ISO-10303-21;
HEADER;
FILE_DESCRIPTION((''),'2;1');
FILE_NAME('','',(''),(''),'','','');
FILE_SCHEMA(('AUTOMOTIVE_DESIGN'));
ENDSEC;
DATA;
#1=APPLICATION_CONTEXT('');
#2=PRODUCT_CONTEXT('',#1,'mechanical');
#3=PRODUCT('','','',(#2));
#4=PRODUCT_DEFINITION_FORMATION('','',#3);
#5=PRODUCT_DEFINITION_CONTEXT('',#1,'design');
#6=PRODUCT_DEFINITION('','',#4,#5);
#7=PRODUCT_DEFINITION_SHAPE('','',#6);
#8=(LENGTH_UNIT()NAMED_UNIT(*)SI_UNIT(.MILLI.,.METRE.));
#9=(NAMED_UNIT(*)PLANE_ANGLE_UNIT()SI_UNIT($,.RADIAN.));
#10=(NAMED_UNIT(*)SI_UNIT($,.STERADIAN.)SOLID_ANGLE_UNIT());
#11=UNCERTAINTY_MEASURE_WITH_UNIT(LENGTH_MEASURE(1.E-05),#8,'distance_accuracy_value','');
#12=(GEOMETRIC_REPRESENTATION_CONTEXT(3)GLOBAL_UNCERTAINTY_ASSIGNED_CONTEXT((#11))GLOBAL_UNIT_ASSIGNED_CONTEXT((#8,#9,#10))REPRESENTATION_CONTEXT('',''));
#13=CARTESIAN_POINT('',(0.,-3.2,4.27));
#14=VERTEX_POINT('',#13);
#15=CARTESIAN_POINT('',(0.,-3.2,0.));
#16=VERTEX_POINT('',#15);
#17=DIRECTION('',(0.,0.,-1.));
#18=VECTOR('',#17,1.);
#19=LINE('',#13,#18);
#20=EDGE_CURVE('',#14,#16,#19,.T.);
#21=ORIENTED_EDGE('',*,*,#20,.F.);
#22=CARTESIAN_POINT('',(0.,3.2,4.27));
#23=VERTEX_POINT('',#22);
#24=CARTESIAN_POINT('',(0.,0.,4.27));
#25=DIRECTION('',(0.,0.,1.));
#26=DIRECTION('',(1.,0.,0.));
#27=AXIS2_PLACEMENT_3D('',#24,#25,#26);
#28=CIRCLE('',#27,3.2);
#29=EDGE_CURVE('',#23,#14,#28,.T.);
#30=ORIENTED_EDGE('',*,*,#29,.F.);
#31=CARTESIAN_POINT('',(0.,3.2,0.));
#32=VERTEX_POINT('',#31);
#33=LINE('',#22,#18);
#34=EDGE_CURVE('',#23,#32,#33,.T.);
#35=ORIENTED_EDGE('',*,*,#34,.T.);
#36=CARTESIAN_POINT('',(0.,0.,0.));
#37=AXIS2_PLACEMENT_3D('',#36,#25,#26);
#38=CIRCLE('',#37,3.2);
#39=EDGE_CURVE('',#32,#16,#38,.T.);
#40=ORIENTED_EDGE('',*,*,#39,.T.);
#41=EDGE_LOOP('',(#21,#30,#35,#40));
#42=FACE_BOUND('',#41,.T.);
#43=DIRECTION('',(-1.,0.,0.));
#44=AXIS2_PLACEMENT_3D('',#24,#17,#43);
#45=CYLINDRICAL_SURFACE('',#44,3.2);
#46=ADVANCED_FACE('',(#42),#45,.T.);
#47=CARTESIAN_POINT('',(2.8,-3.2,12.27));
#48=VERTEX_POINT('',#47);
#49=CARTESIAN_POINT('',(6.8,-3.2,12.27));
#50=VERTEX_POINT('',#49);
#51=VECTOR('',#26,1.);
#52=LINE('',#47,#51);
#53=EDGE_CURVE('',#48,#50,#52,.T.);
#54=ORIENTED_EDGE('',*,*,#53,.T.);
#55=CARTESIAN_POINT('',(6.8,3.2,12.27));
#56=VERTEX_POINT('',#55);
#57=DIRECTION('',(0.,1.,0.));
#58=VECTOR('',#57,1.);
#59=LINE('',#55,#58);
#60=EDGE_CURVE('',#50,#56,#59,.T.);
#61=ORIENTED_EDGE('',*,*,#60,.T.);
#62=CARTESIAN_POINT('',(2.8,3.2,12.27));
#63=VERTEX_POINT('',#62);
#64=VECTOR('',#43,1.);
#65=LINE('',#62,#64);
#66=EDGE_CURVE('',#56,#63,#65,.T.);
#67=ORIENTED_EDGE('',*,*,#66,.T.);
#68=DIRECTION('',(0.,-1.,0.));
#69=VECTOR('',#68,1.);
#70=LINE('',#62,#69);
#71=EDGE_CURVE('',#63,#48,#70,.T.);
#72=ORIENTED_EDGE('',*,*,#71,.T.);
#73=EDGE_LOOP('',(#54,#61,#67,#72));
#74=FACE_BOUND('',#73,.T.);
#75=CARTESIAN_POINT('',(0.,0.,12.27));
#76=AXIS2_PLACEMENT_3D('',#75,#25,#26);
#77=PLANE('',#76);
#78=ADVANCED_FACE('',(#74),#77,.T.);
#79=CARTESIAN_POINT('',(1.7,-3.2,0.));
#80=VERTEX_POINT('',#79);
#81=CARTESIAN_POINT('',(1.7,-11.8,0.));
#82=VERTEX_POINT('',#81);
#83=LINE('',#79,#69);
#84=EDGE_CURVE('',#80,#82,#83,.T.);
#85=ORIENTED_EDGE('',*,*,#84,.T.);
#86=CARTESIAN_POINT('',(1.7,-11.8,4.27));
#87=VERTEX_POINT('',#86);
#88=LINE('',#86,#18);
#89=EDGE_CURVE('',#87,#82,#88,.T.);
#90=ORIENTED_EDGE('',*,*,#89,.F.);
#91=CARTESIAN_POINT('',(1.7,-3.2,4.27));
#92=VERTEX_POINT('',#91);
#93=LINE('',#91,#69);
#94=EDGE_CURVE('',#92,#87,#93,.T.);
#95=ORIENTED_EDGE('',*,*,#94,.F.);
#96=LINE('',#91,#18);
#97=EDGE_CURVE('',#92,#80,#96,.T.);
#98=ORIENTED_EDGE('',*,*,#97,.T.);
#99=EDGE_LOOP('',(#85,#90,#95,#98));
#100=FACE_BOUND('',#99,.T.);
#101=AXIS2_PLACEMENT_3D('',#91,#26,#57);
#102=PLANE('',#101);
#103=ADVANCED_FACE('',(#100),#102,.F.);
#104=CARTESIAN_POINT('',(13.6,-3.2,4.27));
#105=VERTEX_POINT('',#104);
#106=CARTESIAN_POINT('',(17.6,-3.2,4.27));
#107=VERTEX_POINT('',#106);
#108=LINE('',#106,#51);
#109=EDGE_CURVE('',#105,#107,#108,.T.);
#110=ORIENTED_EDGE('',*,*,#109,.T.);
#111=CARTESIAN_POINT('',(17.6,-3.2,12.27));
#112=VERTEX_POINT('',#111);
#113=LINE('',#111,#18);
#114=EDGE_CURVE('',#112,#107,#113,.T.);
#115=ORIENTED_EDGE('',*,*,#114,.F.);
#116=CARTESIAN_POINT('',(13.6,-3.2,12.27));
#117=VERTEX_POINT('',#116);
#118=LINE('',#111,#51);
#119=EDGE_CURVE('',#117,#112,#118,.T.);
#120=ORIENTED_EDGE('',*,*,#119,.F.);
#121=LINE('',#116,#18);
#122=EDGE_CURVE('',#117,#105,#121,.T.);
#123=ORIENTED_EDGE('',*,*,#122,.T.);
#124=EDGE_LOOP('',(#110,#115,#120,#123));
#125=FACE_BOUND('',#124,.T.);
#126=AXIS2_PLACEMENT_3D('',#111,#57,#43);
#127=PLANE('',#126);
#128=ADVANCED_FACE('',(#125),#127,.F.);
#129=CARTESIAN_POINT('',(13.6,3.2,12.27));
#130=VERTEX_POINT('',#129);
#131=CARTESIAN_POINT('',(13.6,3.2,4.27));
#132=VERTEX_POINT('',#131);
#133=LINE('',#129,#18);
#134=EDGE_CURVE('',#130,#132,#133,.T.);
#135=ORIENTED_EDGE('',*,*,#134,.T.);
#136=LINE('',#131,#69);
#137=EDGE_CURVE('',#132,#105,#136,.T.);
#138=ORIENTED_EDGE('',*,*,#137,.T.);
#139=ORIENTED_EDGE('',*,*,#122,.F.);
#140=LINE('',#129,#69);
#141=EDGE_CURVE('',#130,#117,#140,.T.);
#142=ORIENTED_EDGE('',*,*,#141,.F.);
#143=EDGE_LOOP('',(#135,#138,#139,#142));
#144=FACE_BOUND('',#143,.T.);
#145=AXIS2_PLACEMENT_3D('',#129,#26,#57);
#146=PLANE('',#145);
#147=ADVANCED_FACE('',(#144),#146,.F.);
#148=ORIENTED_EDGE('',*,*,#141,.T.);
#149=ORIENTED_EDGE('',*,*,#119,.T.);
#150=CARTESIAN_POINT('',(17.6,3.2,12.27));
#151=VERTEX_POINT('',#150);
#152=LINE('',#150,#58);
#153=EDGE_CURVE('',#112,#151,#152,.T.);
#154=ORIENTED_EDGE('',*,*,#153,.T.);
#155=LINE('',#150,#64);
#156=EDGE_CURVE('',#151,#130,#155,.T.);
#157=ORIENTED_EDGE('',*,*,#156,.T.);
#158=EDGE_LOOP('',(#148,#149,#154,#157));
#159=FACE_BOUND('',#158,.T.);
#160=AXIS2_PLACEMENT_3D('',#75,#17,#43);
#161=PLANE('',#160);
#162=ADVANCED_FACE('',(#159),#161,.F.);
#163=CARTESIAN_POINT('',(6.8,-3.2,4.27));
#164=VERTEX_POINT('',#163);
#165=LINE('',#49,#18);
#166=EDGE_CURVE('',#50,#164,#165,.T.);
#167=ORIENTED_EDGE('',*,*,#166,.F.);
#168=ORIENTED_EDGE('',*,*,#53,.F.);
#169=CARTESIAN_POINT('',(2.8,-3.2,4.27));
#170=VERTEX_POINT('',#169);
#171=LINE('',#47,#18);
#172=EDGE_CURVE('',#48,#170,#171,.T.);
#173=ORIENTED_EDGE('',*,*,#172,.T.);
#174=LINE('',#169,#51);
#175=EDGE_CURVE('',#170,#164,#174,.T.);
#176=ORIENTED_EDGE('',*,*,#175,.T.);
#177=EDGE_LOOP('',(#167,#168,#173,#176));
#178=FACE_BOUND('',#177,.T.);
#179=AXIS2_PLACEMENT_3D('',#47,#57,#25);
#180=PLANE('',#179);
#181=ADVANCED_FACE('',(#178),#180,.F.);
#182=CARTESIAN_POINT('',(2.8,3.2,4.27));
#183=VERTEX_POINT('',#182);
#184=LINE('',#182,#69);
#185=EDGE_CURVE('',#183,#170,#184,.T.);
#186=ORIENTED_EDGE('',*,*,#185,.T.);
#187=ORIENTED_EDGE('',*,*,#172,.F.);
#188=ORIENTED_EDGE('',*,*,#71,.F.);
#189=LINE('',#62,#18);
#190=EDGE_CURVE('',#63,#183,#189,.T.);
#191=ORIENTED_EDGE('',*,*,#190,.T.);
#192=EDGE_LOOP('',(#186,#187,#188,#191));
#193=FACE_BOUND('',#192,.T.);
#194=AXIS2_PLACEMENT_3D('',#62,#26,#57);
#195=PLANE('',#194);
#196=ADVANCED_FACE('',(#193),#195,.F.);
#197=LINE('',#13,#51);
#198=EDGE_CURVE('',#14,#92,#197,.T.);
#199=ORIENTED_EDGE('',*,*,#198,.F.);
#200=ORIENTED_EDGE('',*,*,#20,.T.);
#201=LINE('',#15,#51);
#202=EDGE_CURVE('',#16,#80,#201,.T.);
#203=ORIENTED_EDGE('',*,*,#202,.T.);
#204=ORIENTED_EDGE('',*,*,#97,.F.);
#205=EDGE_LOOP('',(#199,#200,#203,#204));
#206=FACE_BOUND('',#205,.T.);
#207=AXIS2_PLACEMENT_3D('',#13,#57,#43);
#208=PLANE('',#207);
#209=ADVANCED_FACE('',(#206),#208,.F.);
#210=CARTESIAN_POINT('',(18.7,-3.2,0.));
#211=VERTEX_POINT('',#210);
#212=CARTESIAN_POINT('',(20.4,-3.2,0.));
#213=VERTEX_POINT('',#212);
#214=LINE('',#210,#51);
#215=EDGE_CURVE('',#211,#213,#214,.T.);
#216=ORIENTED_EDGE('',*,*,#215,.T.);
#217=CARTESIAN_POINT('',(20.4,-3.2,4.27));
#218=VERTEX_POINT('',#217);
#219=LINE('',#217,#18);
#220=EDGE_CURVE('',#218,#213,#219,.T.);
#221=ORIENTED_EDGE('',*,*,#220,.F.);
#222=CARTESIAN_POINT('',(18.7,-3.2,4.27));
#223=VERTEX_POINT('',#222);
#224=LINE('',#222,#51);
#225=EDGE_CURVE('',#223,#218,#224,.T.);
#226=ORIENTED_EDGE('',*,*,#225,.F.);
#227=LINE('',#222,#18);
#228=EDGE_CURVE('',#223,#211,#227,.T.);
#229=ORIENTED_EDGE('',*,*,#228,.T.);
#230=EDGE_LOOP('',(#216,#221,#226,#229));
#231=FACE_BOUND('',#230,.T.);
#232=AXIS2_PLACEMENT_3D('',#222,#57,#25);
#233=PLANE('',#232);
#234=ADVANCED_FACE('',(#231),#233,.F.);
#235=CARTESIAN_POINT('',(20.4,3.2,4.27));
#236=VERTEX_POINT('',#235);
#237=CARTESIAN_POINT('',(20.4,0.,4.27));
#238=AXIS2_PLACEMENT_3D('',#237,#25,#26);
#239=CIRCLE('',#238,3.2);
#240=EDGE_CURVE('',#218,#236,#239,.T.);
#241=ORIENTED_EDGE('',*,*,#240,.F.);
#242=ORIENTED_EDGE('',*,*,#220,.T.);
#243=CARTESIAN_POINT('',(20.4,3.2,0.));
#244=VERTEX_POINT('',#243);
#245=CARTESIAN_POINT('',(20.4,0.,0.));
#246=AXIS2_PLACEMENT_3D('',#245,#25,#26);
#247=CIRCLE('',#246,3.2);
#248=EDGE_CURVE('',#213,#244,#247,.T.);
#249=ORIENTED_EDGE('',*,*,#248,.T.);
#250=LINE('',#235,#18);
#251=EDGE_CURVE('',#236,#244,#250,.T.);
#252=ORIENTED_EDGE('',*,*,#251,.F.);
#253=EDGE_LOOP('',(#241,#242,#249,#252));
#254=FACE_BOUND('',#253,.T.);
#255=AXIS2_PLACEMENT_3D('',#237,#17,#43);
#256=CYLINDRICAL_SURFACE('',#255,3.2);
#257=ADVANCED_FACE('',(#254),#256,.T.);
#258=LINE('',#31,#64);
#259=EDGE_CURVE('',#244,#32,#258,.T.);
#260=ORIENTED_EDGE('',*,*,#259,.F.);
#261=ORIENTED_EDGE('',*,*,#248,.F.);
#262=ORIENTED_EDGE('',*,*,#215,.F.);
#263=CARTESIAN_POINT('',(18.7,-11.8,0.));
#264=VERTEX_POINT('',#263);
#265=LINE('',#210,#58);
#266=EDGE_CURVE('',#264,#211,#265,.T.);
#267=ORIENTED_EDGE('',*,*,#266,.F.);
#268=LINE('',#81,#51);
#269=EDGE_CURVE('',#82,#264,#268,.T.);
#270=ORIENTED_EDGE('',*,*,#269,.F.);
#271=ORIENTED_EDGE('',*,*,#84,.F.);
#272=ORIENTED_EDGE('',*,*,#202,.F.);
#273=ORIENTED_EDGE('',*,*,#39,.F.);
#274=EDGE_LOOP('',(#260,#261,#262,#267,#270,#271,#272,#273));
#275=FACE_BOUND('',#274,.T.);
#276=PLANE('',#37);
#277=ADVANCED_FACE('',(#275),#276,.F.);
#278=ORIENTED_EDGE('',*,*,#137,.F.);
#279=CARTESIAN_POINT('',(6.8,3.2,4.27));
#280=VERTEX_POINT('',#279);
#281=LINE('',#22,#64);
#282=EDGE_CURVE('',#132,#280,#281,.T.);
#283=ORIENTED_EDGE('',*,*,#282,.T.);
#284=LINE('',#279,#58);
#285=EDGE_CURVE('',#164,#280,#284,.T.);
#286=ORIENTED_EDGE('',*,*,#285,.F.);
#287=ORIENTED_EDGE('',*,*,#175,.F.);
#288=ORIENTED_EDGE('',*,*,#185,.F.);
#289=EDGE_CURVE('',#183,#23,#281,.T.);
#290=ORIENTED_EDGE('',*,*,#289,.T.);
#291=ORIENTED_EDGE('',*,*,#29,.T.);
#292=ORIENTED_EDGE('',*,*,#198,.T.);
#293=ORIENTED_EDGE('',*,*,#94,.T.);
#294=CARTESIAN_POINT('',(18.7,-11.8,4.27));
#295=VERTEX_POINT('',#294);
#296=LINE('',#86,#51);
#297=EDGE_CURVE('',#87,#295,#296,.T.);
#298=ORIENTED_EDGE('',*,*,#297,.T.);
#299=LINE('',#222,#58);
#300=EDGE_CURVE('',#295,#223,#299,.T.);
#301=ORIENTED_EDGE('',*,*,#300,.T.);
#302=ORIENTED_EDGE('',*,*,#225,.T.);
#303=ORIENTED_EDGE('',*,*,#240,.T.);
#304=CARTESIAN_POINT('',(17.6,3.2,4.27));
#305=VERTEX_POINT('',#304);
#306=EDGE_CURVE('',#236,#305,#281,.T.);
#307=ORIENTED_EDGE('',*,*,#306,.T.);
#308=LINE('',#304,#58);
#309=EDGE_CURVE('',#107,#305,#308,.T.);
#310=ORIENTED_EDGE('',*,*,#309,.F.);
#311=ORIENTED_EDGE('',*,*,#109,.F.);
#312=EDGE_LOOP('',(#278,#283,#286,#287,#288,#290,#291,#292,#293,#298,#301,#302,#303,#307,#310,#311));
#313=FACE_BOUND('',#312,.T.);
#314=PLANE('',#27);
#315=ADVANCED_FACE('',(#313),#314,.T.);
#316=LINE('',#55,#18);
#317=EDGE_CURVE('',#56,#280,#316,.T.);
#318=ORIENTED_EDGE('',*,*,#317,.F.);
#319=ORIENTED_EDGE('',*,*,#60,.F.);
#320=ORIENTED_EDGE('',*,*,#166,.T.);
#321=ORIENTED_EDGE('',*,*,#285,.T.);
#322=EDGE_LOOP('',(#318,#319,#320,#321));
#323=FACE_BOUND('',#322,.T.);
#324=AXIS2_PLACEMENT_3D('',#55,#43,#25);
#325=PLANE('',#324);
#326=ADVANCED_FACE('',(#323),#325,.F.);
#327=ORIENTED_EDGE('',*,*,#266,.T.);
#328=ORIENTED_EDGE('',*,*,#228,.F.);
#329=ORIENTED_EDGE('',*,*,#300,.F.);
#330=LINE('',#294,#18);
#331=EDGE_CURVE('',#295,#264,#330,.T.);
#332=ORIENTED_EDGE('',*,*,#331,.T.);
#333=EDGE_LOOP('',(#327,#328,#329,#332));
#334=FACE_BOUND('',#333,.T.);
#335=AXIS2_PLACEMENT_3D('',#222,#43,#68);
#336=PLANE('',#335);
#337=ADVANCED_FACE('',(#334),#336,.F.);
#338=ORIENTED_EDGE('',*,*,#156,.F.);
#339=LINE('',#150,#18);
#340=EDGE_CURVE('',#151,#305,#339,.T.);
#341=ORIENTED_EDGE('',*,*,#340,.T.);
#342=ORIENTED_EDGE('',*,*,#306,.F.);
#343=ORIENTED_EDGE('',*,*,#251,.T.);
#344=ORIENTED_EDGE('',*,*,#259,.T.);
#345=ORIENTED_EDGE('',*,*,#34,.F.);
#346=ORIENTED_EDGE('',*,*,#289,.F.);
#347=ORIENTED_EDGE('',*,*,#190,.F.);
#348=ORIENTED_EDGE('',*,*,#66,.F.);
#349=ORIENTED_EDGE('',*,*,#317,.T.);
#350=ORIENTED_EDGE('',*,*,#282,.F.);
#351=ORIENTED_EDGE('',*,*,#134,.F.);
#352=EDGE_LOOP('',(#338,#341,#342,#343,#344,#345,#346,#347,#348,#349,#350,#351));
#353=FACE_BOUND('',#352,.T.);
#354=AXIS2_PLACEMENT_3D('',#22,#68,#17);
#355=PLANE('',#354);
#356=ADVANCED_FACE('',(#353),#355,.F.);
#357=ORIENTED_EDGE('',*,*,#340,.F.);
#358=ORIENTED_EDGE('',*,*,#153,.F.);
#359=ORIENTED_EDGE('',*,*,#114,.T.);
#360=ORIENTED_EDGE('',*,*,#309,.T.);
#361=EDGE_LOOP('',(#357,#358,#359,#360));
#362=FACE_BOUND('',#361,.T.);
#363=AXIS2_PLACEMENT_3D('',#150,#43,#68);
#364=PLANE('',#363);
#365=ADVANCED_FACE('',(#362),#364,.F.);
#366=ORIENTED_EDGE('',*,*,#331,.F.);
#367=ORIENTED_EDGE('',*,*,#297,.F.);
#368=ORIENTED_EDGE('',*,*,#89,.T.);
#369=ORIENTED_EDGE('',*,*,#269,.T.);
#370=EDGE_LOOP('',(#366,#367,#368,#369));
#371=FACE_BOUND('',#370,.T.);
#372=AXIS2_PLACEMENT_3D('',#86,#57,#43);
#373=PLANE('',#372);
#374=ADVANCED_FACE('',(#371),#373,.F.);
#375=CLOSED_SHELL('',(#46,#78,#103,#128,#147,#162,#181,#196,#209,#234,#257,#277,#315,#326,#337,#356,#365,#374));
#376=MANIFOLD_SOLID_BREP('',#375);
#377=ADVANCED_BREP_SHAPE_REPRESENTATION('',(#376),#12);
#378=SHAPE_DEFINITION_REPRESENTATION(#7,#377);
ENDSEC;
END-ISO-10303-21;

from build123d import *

# Parameters (mm, degrees)
BOSS_EXTRUDE1_DEPTH = 4.27
SKETCH3_W           = 4
SKETCH3_H           = 6.4
BOSS_EXTRUDE2_DEPTH = 8


with BuildPart() as part:
    # Sketch2 → Boss-Extrude1 (new body)
    with BuildSketch(Plane.XY):
        with BuildLine():
            Line((0, 3.2), (20.4, 3.2))
            ThreePointArc((20.4, 3.2), (23.6, 0), (20.4, -3.2))
            Line((20.4, -3.2), (18.7, -3.2))
            Line((18.7, -3.2), (18.7, -11.8))
            Line((18.7, -11.8), (1.7, -11.8))
            Line((1.7, -11.8), (1.7, -3.2))
            Line((1.7, -3.2), (0, -3.2))
            ThreePointArc((0, -3.2), (-3.2, 0), (0, 3.2))
        make_face()
    extrude(amount=BOSS_EXTRUDE1_DEPTH)

    # Sketch3 → Boss-Extrude2 (add)
    with BuildSketch(Plane.XY.offset(4.27)):
        with Locations((4.8, 0)):
            Rectangle(SKETCH3_W, SKETCH3_H)
        with Locations((15.6, 0)):
            Rectangle(SKETCH3_W, SKETCH3_H)
    extrude(amount=BOSS_EXTRUDE2_DEPTH)


solid = part.part
